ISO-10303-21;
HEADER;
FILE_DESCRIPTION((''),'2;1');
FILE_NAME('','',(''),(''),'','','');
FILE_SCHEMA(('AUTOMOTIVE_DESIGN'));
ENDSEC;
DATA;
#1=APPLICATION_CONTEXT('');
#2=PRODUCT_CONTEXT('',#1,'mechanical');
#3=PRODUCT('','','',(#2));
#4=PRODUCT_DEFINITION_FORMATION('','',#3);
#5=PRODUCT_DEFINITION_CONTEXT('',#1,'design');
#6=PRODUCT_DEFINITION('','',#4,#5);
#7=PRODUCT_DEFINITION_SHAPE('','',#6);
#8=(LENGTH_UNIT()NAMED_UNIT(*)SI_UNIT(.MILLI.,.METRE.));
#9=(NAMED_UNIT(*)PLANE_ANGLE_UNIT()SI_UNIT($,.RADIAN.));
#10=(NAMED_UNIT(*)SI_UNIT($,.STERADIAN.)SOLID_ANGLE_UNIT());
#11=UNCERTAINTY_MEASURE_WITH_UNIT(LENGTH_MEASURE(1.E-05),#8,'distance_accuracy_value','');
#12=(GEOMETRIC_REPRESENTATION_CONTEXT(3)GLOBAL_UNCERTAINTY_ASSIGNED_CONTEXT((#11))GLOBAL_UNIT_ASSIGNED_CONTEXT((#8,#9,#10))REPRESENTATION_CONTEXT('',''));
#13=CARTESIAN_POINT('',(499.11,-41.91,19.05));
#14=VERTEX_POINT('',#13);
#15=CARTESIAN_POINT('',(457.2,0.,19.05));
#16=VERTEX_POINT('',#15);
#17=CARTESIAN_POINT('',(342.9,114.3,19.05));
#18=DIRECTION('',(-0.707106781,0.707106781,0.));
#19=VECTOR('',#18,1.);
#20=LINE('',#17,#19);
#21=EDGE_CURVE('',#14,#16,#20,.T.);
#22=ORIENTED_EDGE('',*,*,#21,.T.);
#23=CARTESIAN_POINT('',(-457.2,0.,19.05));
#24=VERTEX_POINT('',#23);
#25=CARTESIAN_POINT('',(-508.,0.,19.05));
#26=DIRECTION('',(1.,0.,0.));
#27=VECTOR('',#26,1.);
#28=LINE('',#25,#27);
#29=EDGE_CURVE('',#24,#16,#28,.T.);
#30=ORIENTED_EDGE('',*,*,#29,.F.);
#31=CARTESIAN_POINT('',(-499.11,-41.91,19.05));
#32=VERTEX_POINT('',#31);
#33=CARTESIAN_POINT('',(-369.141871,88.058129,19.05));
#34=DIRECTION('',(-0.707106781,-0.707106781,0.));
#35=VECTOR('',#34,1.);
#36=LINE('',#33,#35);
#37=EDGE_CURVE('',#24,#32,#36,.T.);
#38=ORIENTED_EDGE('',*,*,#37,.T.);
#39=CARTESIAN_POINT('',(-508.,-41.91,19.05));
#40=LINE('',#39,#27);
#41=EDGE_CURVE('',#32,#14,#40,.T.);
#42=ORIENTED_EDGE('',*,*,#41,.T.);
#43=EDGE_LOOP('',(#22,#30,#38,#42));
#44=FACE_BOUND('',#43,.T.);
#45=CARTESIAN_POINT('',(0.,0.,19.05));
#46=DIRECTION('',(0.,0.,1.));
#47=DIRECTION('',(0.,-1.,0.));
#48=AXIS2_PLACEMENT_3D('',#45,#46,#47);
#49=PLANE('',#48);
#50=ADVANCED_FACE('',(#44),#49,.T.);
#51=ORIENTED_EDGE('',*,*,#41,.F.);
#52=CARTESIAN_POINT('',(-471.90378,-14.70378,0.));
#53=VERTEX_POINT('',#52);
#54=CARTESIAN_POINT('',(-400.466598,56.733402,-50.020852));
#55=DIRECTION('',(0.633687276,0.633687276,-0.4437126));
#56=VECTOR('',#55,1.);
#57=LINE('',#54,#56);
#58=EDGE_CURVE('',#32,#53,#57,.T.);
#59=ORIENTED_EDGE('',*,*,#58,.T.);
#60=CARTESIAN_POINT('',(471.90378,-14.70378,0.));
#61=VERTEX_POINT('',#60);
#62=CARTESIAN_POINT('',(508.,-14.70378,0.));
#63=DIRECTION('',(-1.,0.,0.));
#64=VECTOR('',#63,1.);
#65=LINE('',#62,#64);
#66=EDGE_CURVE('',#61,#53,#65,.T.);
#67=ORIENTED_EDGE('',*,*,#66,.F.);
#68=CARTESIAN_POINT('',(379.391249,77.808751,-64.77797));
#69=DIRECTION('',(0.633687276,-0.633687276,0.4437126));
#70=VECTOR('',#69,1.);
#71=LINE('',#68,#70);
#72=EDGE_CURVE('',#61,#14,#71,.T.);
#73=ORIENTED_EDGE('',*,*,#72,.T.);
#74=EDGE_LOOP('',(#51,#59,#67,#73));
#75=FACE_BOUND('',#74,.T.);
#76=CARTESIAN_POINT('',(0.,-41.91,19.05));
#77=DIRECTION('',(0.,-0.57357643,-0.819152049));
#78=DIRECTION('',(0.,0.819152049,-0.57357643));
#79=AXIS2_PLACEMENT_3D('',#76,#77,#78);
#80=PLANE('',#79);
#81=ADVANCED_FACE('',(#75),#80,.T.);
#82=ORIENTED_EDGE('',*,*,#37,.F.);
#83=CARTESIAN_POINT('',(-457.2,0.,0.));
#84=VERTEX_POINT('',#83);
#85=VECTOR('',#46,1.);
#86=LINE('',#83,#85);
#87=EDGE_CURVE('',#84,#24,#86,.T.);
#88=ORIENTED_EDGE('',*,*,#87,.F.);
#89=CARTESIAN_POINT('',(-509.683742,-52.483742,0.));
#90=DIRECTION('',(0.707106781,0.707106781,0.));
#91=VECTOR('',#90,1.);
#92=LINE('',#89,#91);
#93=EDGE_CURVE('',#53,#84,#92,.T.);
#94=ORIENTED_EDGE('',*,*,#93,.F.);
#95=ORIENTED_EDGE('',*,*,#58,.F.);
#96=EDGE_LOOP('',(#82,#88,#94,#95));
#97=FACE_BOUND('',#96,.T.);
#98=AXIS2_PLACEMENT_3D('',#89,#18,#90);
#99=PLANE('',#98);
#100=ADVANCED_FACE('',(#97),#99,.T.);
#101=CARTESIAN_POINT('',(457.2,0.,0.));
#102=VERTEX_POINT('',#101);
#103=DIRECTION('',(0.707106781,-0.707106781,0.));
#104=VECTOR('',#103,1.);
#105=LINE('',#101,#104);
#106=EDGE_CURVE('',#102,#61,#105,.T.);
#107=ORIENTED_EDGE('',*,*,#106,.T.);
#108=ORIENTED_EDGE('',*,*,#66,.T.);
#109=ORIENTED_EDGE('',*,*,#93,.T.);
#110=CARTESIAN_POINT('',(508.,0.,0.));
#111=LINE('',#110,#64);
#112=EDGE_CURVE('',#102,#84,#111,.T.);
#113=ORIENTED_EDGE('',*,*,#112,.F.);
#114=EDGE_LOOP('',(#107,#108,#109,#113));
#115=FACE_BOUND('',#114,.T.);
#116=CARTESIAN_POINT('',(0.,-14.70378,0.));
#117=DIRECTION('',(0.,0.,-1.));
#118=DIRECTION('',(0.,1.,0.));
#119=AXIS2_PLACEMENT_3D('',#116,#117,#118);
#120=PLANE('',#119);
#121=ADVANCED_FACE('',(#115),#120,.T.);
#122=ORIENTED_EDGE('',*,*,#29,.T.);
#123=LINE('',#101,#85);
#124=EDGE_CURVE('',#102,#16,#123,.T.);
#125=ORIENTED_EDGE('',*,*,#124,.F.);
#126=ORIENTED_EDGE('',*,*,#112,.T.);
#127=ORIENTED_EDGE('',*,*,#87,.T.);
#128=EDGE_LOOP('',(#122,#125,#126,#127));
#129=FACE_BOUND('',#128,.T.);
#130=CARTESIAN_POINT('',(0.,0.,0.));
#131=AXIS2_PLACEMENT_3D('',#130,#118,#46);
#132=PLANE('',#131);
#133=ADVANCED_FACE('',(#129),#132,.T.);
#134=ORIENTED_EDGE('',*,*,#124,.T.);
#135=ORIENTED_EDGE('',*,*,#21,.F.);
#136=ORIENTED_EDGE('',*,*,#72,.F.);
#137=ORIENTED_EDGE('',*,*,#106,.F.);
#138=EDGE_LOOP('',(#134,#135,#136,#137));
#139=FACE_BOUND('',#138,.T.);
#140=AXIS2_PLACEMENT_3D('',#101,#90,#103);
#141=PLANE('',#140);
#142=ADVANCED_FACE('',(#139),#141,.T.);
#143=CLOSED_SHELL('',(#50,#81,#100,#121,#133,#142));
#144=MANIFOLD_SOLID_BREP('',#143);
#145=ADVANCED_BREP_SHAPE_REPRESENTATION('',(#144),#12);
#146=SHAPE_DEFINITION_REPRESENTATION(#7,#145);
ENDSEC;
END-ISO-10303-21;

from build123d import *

# Parameters (mm, degrees)
F1_DEPTH      = 508
F1_DEPTH_BACK = 508
F3_DEPTH      = 19.051


with BuildPart() as f1:
    # F0 (on Right) → F1 (new body, two sides)
    with BuildSketch(Plane.YZ) as f1_sk:
        Polygon((0, 0), (0, 19.05), (-41.91, 19.05), (-14.70378, 0), align=None)
    extrude(amount=F1_DEPTH)
    extrude(f1_sk.sketch, amount=-F1_DEPTH_BACK)

    # F2 (on Top) → F3 (cut, through all)
    with BuildSketch(Plane.XY):
        Polygon((509.683742, 0), (457.2, 0), (509.683742, -52.483742), align=None)
        Polygon((-509.683742, -52.483742), (-457.2, 0), (-509.683742, 0), align=None)
    extrude(amount=F3_DEPTH, mode=Mode.SUBTRACT)


solid = f1.part
